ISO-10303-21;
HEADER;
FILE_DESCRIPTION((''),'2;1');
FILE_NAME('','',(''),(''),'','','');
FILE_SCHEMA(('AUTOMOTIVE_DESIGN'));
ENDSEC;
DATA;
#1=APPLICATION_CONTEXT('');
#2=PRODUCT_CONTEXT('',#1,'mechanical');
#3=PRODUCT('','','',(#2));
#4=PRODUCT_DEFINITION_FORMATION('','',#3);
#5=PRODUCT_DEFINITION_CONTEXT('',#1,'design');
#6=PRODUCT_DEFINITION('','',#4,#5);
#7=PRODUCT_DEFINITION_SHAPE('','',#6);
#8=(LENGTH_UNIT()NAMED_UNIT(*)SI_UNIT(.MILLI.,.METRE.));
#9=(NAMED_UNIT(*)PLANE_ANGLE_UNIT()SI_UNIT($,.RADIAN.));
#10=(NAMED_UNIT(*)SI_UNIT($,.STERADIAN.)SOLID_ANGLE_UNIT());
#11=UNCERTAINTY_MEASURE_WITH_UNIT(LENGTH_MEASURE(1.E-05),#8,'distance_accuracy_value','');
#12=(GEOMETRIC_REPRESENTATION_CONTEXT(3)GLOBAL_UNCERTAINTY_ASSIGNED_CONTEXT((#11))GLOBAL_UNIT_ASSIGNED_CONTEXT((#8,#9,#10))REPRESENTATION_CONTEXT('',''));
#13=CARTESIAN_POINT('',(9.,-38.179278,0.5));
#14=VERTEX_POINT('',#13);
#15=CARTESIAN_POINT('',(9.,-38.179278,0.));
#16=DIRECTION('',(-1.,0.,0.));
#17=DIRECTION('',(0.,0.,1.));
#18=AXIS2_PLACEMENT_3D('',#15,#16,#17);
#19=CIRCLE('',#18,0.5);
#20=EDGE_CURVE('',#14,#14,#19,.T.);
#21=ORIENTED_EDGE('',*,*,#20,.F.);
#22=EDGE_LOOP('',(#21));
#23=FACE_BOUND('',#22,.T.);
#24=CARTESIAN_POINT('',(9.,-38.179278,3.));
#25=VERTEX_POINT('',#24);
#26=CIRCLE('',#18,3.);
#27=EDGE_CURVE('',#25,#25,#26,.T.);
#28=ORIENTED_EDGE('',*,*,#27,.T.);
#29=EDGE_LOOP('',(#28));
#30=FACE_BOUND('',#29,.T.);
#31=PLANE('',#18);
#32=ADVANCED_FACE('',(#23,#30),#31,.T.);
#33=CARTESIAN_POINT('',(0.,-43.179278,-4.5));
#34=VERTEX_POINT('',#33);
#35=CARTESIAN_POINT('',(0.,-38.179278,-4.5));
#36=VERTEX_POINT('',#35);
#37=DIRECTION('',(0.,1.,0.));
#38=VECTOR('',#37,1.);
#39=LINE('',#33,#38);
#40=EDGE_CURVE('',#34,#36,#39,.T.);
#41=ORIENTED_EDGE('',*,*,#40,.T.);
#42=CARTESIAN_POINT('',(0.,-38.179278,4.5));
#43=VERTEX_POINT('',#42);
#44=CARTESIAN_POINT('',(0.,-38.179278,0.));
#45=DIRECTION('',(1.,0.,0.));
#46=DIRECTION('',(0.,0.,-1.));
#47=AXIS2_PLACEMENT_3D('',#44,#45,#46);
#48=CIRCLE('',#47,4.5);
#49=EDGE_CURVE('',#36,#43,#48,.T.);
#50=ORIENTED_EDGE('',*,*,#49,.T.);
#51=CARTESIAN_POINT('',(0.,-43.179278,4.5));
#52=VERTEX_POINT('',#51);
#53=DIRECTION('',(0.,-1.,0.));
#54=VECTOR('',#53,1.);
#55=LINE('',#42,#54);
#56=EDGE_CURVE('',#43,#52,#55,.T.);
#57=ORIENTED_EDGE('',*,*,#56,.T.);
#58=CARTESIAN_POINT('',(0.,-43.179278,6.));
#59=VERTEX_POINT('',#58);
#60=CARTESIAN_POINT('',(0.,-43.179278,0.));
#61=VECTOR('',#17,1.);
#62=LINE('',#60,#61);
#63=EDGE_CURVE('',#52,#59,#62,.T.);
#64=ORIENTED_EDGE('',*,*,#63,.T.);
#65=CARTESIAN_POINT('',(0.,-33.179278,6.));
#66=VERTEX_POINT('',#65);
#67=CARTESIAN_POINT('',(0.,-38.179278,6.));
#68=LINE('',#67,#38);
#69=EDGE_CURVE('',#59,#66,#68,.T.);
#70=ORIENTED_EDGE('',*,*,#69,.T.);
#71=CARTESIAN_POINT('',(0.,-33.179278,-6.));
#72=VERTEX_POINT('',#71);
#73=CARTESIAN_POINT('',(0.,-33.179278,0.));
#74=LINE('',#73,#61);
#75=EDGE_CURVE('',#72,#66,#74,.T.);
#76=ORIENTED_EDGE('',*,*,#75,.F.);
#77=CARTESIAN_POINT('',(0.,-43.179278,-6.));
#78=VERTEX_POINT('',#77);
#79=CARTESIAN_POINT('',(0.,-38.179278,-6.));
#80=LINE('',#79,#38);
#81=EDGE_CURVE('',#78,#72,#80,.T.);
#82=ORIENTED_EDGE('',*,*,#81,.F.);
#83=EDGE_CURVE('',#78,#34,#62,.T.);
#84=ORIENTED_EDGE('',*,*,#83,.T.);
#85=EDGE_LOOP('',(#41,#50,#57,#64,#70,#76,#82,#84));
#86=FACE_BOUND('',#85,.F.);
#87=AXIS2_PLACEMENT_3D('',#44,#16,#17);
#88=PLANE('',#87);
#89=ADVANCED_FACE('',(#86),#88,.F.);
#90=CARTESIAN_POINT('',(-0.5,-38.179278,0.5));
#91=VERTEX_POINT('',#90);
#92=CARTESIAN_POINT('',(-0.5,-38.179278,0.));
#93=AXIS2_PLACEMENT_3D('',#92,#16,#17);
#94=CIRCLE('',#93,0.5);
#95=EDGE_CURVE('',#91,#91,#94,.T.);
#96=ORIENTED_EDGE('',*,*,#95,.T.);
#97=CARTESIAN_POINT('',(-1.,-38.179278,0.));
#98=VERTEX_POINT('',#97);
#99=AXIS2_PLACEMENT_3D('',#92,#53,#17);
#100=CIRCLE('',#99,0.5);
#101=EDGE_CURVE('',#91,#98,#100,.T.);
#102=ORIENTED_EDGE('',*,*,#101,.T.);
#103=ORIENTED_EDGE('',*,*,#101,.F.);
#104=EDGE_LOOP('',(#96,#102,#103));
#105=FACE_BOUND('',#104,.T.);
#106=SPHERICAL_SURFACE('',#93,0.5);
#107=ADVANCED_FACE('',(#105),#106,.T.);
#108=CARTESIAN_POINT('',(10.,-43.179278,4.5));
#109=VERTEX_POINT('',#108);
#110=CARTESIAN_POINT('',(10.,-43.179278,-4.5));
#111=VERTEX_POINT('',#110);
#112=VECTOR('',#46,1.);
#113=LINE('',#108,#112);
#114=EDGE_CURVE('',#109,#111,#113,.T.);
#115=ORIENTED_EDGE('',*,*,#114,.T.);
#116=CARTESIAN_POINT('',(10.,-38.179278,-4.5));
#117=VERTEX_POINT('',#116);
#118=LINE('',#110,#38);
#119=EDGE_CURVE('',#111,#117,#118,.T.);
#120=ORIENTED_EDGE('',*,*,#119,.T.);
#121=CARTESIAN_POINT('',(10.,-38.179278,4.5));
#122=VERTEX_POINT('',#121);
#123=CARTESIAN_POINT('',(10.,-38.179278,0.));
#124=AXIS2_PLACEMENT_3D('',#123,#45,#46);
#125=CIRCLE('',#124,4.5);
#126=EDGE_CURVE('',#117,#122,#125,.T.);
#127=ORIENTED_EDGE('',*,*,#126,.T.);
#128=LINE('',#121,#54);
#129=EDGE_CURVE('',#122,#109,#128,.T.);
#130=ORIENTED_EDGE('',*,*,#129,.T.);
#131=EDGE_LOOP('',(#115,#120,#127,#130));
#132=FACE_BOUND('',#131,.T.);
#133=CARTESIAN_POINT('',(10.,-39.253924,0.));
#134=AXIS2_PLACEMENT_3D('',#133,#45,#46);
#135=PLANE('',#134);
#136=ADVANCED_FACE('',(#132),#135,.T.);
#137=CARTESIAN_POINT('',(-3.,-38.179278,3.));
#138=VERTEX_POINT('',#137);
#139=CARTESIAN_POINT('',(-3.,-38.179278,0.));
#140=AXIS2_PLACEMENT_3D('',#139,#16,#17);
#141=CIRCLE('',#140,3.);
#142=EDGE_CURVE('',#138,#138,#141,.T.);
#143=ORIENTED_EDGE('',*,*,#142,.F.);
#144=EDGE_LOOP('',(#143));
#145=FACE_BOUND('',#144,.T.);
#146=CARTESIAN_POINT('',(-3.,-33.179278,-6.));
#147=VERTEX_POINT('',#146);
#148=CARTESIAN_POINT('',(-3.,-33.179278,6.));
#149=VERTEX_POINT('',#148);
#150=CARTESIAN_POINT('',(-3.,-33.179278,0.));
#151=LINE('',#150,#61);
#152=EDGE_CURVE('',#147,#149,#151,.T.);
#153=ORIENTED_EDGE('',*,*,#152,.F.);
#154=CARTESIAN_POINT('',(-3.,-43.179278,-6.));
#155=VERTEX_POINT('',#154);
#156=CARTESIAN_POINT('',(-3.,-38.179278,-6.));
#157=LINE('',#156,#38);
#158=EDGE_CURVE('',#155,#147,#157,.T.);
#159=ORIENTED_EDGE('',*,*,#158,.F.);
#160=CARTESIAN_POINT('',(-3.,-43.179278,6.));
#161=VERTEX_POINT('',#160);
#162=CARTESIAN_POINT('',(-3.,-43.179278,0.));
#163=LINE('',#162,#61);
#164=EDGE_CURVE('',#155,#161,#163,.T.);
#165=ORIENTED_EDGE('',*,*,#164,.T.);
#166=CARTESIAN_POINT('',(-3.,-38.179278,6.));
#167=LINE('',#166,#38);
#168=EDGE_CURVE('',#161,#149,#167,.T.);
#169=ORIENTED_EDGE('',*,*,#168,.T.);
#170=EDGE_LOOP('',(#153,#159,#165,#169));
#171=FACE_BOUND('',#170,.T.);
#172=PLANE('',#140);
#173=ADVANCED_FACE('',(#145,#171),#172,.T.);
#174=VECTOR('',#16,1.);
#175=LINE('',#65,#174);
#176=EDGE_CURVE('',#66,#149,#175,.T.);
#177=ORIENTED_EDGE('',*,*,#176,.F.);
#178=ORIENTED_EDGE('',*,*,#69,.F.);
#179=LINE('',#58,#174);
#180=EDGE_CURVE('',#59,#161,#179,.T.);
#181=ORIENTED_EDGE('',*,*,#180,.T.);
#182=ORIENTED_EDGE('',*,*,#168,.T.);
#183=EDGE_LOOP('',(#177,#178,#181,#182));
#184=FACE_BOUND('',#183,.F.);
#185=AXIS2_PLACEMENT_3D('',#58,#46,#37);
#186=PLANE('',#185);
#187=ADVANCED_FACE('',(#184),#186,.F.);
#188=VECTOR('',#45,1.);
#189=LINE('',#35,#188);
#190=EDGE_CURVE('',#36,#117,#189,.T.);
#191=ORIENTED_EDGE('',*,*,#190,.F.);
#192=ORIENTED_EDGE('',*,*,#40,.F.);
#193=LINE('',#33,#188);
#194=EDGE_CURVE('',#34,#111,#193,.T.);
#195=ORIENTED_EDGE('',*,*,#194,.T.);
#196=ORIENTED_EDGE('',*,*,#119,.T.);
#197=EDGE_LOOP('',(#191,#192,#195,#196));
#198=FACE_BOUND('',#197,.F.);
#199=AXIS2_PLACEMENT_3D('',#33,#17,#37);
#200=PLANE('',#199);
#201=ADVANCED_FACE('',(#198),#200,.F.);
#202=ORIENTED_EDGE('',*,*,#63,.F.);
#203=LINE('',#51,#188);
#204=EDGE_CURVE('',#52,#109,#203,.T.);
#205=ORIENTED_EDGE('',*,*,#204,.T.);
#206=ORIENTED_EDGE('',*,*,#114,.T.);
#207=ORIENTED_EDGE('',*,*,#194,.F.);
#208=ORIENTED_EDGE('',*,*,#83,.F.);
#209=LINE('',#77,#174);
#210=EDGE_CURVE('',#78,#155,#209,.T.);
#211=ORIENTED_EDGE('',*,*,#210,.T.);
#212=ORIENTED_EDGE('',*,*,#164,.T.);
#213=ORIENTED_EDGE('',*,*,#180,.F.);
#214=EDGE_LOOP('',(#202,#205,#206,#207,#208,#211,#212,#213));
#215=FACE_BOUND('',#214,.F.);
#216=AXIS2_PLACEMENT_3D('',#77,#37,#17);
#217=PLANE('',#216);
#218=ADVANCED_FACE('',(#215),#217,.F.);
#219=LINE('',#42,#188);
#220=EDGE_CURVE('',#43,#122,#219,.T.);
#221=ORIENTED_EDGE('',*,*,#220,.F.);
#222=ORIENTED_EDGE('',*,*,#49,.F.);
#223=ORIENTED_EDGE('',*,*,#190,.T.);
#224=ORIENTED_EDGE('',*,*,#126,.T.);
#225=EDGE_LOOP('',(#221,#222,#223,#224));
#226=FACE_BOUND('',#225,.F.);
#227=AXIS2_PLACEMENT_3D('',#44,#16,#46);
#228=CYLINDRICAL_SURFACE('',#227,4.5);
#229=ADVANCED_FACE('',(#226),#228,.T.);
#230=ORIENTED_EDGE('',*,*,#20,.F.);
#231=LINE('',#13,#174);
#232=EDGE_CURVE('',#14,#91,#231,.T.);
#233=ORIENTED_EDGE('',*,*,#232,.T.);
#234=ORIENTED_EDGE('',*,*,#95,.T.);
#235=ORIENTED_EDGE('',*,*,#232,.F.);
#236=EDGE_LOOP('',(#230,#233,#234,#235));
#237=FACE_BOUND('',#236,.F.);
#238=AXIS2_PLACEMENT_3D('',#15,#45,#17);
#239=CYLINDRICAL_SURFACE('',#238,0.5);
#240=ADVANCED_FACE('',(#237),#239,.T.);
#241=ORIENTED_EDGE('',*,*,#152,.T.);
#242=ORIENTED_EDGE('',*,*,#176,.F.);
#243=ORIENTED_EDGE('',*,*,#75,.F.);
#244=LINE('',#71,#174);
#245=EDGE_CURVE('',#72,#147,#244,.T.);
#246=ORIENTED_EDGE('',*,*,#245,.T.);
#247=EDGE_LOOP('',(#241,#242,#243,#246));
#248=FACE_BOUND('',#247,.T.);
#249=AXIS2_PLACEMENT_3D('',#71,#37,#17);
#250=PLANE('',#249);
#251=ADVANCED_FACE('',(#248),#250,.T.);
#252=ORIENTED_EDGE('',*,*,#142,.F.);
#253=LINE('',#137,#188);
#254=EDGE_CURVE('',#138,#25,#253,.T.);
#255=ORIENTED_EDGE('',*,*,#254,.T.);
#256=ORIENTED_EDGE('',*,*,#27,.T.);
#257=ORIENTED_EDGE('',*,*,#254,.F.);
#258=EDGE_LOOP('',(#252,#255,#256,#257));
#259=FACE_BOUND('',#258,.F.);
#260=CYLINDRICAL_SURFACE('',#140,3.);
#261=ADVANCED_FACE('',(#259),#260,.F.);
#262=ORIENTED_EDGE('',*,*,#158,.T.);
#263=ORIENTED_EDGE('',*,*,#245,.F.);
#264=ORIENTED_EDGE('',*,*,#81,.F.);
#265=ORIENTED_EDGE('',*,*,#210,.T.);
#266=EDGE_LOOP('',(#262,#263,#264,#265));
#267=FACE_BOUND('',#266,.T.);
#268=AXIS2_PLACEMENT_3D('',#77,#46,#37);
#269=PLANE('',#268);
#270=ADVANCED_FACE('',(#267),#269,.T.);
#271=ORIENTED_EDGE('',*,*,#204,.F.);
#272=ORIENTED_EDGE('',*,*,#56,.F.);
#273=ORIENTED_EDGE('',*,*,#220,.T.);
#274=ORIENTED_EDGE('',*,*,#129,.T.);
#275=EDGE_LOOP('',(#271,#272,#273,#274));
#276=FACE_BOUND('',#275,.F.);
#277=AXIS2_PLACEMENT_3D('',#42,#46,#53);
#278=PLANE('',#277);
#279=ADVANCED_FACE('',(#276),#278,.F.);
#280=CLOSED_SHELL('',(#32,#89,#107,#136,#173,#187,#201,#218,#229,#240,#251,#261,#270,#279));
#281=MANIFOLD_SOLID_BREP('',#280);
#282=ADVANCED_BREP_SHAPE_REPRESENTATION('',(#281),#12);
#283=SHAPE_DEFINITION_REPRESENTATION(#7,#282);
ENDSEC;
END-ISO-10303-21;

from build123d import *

# Parameters (mm, degrees)
BOSS_EXTRUDE1_DEPTH = 10
SKETCH2_W           = 12
SKETCH2_H           = 10
BOSS_EXTRUDE2_DEPTH = 3
SKETCH3_R           = 3
CUT_EXTRUDE1_DEPTH  = 12
SKETCH4_R           = 0.5
BOSS_EXTRUDE3_DEPTH = 10
FILLET6_R           = 0.5


with BuildPart() as part:
    # Sketch1 → Boss-Extrude1 (new body)
    with BuildSketch(Plane(origin=(0, 0, 0), x_dir=(0, 0, -1), z_dir=(1, 0, 0))):
        with BuildLine():
            Line((-4.5, -43.179278244), (4.5, -43.179278244))
            Line((4.5, -43.179278244), (4.5, -38.179278244))
            ThreePointArc((4.5, -38.179278244), (0, -33.679278244), (-4.5, -38.179278244))
            Line((-4.5, -38.179278244), (-4.5, -43.179278244))
        make_face()
    extrude(amount=BOSS_EXTRUDE1_DEPTH)

    # Sketch2 → Boss-Extrude2 (add)
    with BuildSketch(Plane.ZY):
        with Locations((0, -38.179278244)):
            Rectangle(SKETCH2_W, SKETCH2_H)
    extrude(amount=BOSS_EXTRUDE2_DEPTH)

    # Sketch3 → Cut-Extrude1 (cut)
    with BuildSketch(Plane.ZY.offset(3)):
        with Locations((0, -38.179278244)):
            Circle(SKETCH3_R)
    extrude(amount=-CUT_EXTRUDE1_DEPTH, mode=Mode.SUBTRACT)

    # Sketch4 → Boss-Extrude3 (add)
    with BuildSketch(Plane.ZY.offset(-9)):
        with Locations((0, -38.179278244)):
            Circle(SKETCH4_R)
    extrude(amount=BOSS_EXTRUDE3_DEPTH)

    # Fillet6
    fillet6_edges = [part.edges().sort_by_distance(p)[0] for p in [
        (-1, -38.179278244, -0.5),
    ]]
    fillet(fillet6_edges, radius=FILLET6_R)


solid = part.part
